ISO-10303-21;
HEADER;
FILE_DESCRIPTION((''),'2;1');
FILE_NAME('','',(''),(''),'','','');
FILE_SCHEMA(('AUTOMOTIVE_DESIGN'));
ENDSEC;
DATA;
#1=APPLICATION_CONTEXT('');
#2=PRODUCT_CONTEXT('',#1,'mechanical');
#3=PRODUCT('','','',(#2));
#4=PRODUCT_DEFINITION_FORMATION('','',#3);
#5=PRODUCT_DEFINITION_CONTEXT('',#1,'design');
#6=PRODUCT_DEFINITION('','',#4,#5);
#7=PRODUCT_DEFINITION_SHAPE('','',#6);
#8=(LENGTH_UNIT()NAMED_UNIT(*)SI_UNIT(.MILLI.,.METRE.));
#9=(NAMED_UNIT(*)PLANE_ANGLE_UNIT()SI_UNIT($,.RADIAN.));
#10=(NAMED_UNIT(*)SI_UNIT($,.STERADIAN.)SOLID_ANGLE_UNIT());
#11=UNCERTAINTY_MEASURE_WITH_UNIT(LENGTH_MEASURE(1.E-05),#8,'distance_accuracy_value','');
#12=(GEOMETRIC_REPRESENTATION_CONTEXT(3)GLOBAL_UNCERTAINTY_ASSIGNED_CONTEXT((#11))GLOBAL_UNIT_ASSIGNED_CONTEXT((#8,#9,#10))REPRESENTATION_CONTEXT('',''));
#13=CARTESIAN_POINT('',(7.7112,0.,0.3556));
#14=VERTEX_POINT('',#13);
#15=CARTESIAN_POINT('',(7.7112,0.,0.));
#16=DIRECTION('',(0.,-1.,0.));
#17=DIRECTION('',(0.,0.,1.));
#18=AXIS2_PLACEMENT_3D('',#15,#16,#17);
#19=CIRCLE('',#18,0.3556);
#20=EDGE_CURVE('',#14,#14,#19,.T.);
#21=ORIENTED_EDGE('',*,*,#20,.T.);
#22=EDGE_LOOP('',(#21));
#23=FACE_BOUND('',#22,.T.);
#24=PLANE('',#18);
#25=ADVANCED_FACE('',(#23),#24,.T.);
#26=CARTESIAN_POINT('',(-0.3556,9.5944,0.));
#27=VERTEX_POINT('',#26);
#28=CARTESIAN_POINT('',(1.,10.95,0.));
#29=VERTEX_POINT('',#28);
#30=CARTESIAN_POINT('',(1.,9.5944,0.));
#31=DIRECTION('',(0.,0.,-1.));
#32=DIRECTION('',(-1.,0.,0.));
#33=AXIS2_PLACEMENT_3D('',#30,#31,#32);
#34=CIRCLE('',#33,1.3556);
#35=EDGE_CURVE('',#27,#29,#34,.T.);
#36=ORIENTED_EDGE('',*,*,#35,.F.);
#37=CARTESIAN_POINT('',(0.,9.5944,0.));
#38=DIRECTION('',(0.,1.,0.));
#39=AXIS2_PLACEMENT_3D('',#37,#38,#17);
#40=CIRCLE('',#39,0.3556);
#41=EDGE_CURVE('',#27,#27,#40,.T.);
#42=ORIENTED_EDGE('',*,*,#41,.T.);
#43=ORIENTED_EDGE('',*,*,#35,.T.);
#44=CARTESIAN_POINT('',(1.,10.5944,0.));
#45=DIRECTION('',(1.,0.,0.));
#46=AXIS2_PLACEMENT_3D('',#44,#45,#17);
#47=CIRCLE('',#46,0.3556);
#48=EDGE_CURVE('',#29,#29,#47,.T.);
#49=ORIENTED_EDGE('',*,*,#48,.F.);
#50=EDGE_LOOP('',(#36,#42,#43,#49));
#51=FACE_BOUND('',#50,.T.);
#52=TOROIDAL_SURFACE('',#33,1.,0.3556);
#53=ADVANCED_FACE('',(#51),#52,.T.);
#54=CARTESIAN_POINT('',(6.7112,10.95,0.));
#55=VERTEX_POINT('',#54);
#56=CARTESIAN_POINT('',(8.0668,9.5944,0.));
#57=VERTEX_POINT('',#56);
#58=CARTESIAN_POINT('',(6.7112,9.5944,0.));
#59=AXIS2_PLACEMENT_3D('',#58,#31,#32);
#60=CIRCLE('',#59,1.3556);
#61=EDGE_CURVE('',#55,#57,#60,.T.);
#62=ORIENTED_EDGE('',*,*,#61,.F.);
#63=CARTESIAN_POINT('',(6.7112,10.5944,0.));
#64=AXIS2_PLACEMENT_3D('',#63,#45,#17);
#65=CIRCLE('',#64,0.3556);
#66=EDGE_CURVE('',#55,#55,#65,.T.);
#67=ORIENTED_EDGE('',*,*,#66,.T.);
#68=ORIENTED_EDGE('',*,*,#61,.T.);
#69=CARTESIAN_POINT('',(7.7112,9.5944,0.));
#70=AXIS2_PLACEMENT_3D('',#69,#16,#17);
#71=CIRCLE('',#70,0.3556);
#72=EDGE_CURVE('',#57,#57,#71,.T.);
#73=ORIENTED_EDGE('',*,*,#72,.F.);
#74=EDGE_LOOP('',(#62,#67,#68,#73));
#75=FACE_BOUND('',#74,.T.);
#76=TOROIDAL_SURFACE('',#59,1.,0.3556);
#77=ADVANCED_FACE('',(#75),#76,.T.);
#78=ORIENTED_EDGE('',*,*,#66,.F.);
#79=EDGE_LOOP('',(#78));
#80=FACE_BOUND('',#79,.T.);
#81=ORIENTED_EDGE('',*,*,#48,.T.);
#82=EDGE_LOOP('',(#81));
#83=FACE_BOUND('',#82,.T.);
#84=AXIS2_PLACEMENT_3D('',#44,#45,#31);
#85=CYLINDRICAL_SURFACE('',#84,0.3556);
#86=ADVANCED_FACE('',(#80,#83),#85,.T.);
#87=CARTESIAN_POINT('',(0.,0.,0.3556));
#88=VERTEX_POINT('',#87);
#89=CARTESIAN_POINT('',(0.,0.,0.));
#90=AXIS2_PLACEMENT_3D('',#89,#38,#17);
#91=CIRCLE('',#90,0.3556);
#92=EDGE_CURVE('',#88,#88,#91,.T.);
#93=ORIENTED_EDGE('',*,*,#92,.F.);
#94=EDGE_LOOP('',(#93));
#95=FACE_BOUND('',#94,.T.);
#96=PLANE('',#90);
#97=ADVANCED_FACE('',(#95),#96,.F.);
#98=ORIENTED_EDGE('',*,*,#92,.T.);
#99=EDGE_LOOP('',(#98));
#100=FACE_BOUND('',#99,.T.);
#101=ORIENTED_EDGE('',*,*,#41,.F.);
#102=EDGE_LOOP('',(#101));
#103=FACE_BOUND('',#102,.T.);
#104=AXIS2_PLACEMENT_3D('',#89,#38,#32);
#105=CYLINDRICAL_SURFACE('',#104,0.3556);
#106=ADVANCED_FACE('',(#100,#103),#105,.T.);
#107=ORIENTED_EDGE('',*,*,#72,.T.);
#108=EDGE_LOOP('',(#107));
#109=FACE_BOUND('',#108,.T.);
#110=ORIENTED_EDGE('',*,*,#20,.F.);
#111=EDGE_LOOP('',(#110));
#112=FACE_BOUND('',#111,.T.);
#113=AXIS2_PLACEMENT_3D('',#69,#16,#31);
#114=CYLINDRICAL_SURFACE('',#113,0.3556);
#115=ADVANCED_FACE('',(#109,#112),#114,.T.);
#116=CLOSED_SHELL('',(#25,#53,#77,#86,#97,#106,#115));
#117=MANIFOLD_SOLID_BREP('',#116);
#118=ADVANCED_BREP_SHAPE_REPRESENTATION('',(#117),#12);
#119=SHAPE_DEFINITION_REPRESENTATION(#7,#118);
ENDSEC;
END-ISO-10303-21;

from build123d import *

# Parameters (mm, degrees)
SKETCH1_R = 0.3556


with BuildPart() as part:
    # Sweep1: sweep along a path in Sketch2
    with BuildLine(Plane.XY) as sweep1_path:
        Line((0, 0), (0, 9.5944))
        ThreePointArc((0, 9.5944), (0.292893219, 10.301506781), (1, 10.5944))
        Line((1, 10.5944), (6.7112, 10.5944))
        ThreePointArc((6.7112, 10.5944), (7.418306781, 10.301506781), (7.7112, 9.5944))
        Line((7.7112, 9.5944), (7.7112, 0))
    # Sketch1 → Sweep1 (sweep)
    with BuildSketch(Plane(origin=(0, 0, 0), x_dir=(1, 0, 0), z_dir=(0, 1, 0))):
        Circle(SKETCH1_R)
    sweep(path=sweep1_path.line)


solid = part.part
